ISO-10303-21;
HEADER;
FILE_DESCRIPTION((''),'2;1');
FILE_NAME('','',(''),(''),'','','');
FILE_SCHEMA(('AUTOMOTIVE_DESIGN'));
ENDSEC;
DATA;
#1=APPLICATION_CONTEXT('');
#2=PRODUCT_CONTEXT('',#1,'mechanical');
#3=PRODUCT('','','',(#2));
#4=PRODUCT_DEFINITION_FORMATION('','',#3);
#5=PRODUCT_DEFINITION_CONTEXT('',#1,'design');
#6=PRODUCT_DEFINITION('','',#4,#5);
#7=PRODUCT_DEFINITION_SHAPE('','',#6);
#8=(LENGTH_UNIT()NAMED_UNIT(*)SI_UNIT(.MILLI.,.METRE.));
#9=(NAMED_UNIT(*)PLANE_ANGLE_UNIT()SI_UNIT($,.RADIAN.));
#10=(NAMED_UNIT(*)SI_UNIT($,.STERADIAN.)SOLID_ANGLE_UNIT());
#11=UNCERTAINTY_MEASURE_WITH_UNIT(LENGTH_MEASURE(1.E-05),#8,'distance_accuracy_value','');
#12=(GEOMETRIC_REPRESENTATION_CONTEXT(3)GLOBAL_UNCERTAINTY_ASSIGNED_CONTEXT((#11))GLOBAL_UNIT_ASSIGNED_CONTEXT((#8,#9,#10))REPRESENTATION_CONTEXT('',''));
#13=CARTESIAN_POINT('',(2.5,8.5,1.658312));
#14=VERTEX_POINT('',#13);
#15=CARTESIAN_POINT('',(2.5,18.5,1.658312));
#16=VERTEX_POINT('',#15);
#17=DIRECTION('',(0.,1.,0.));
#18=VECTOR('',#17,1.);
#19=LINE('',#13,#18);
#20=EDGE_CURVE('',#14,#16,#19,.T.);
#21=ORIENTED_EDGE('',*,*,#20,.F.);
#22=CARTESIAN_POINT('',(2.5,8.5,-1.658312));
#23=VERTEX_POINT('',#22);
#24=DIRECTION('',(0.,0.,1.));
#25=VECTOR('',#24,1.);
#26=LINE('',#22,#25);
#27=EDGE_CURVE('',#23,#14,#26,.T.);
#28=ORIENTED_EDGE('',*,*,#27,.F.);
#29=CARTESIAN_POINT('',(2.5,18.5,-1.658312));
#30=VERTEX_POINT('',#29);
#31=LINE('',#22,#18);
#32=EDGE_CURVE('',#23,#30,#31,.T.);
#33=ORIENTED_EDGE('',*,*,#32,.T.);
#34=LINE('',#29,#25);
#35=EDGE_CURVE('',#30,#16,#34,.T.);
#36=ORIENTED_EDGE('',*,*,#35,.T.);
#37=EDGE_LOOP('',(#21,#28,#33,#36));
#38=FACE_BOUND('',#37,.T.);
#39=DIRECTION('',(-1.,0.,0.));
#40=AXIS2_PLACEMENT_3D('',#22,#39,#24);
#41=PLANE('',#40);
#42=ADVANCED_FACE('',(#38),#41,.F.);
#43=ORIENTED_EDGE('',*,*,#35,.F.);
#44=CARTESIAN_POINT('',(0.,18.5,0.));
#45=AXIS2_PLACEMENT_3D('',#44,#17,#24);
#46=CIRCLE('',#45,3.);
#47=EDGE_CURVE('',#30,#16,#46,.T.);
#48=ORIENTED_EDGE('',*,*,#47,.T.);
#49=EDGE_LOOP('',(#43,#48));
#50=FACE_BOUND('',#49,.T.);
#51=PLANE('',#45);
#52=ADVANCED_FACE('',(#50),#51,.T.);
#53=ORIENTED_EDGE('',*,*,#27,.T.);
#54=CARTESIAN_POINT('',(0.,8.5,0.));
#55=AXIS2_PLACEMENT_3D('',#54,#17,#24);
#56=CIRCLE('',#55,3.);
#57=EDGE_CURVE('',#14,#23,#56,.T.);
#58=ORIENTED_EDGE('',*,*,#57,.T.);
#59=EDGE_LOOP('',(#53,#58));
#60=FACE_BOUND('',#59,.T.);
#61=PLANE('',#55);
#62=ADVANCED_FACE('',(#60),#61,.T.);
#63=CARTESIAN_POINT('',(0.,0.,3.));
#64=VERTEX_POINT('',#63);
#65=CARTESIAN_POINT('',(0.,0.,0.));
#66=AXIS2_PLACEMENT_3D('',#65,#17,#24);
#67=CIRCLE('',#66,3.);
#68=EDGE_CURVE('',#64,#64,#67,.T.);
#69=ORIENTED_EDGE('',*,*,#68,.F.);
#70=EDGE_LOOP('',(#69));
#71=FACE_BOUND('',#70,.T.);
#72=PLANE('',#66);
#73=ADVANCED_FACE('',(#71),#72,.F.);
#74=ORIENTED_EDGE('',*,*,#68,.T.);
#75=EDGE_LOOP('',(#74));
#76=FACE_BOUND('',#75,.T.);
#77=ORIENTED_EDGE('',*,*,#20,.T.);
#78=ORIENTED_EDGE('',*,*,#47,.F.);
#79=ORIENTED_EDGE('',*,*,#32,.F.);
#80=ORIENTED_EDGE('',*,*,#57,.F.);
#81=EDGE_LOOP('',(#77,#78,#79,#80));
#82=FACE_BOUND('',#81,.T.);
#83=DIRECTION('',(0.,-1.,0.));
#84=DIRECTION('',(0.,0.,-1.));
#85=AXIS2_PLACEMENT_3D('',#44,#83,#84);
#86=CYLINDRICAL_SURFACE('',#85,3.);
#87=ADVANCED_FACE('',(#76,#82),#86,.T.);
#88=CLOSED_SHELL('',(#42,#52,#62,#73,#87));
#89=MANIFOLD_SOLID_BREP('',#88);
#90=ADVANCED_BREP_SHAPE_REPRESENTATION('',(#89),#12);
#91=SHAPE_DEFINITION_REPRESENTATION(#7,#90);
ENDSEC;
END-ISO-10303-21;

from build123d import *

# Parameters (mm, degrees)
SKETCH2_R           = 3
BOSS_EXTRUDE1_DEPTH = 18.5
CUT_EXTRUDE1_START  = -10
CUT_EXTRUDE1_DEPTH  = 10


with BuildPart() as part:
    # Sketch2 → Boss-Extrude1 (new body)
    with BuildSketch(Plane(origin=(0, 0, 0), x_dir=(1, 0, 0), z_dir=(0, 1, 0))):
        with Locations(Location((0, 0, 0), (0, 0, 270))):
            Circle(SKETCH2_R)
    extrude(amount=BOSS_EXTRUDE1_DEPTH)

    # Sketch3 → Cut-Extrude1 (cut)
    with BuildSketch(Plane(origin=(0, 18.5, 0), x_dir=(1, 0, 0), z_dir=(0, 1, 0)).offset(CUT_EXTRUDE1_START)):
        with BuildLine():
            Line((2.5, 1.658312395), (2.5, -1.658312395))
            ThreePointArc((2.5, -1.658312395), (3, 0), (2.5, 1.658312395))
        make_face()
    extrude(amount=CUT_EXTRUDE1_DEPTH, mode=Mode.SUBTRACT)


solid = part.part
